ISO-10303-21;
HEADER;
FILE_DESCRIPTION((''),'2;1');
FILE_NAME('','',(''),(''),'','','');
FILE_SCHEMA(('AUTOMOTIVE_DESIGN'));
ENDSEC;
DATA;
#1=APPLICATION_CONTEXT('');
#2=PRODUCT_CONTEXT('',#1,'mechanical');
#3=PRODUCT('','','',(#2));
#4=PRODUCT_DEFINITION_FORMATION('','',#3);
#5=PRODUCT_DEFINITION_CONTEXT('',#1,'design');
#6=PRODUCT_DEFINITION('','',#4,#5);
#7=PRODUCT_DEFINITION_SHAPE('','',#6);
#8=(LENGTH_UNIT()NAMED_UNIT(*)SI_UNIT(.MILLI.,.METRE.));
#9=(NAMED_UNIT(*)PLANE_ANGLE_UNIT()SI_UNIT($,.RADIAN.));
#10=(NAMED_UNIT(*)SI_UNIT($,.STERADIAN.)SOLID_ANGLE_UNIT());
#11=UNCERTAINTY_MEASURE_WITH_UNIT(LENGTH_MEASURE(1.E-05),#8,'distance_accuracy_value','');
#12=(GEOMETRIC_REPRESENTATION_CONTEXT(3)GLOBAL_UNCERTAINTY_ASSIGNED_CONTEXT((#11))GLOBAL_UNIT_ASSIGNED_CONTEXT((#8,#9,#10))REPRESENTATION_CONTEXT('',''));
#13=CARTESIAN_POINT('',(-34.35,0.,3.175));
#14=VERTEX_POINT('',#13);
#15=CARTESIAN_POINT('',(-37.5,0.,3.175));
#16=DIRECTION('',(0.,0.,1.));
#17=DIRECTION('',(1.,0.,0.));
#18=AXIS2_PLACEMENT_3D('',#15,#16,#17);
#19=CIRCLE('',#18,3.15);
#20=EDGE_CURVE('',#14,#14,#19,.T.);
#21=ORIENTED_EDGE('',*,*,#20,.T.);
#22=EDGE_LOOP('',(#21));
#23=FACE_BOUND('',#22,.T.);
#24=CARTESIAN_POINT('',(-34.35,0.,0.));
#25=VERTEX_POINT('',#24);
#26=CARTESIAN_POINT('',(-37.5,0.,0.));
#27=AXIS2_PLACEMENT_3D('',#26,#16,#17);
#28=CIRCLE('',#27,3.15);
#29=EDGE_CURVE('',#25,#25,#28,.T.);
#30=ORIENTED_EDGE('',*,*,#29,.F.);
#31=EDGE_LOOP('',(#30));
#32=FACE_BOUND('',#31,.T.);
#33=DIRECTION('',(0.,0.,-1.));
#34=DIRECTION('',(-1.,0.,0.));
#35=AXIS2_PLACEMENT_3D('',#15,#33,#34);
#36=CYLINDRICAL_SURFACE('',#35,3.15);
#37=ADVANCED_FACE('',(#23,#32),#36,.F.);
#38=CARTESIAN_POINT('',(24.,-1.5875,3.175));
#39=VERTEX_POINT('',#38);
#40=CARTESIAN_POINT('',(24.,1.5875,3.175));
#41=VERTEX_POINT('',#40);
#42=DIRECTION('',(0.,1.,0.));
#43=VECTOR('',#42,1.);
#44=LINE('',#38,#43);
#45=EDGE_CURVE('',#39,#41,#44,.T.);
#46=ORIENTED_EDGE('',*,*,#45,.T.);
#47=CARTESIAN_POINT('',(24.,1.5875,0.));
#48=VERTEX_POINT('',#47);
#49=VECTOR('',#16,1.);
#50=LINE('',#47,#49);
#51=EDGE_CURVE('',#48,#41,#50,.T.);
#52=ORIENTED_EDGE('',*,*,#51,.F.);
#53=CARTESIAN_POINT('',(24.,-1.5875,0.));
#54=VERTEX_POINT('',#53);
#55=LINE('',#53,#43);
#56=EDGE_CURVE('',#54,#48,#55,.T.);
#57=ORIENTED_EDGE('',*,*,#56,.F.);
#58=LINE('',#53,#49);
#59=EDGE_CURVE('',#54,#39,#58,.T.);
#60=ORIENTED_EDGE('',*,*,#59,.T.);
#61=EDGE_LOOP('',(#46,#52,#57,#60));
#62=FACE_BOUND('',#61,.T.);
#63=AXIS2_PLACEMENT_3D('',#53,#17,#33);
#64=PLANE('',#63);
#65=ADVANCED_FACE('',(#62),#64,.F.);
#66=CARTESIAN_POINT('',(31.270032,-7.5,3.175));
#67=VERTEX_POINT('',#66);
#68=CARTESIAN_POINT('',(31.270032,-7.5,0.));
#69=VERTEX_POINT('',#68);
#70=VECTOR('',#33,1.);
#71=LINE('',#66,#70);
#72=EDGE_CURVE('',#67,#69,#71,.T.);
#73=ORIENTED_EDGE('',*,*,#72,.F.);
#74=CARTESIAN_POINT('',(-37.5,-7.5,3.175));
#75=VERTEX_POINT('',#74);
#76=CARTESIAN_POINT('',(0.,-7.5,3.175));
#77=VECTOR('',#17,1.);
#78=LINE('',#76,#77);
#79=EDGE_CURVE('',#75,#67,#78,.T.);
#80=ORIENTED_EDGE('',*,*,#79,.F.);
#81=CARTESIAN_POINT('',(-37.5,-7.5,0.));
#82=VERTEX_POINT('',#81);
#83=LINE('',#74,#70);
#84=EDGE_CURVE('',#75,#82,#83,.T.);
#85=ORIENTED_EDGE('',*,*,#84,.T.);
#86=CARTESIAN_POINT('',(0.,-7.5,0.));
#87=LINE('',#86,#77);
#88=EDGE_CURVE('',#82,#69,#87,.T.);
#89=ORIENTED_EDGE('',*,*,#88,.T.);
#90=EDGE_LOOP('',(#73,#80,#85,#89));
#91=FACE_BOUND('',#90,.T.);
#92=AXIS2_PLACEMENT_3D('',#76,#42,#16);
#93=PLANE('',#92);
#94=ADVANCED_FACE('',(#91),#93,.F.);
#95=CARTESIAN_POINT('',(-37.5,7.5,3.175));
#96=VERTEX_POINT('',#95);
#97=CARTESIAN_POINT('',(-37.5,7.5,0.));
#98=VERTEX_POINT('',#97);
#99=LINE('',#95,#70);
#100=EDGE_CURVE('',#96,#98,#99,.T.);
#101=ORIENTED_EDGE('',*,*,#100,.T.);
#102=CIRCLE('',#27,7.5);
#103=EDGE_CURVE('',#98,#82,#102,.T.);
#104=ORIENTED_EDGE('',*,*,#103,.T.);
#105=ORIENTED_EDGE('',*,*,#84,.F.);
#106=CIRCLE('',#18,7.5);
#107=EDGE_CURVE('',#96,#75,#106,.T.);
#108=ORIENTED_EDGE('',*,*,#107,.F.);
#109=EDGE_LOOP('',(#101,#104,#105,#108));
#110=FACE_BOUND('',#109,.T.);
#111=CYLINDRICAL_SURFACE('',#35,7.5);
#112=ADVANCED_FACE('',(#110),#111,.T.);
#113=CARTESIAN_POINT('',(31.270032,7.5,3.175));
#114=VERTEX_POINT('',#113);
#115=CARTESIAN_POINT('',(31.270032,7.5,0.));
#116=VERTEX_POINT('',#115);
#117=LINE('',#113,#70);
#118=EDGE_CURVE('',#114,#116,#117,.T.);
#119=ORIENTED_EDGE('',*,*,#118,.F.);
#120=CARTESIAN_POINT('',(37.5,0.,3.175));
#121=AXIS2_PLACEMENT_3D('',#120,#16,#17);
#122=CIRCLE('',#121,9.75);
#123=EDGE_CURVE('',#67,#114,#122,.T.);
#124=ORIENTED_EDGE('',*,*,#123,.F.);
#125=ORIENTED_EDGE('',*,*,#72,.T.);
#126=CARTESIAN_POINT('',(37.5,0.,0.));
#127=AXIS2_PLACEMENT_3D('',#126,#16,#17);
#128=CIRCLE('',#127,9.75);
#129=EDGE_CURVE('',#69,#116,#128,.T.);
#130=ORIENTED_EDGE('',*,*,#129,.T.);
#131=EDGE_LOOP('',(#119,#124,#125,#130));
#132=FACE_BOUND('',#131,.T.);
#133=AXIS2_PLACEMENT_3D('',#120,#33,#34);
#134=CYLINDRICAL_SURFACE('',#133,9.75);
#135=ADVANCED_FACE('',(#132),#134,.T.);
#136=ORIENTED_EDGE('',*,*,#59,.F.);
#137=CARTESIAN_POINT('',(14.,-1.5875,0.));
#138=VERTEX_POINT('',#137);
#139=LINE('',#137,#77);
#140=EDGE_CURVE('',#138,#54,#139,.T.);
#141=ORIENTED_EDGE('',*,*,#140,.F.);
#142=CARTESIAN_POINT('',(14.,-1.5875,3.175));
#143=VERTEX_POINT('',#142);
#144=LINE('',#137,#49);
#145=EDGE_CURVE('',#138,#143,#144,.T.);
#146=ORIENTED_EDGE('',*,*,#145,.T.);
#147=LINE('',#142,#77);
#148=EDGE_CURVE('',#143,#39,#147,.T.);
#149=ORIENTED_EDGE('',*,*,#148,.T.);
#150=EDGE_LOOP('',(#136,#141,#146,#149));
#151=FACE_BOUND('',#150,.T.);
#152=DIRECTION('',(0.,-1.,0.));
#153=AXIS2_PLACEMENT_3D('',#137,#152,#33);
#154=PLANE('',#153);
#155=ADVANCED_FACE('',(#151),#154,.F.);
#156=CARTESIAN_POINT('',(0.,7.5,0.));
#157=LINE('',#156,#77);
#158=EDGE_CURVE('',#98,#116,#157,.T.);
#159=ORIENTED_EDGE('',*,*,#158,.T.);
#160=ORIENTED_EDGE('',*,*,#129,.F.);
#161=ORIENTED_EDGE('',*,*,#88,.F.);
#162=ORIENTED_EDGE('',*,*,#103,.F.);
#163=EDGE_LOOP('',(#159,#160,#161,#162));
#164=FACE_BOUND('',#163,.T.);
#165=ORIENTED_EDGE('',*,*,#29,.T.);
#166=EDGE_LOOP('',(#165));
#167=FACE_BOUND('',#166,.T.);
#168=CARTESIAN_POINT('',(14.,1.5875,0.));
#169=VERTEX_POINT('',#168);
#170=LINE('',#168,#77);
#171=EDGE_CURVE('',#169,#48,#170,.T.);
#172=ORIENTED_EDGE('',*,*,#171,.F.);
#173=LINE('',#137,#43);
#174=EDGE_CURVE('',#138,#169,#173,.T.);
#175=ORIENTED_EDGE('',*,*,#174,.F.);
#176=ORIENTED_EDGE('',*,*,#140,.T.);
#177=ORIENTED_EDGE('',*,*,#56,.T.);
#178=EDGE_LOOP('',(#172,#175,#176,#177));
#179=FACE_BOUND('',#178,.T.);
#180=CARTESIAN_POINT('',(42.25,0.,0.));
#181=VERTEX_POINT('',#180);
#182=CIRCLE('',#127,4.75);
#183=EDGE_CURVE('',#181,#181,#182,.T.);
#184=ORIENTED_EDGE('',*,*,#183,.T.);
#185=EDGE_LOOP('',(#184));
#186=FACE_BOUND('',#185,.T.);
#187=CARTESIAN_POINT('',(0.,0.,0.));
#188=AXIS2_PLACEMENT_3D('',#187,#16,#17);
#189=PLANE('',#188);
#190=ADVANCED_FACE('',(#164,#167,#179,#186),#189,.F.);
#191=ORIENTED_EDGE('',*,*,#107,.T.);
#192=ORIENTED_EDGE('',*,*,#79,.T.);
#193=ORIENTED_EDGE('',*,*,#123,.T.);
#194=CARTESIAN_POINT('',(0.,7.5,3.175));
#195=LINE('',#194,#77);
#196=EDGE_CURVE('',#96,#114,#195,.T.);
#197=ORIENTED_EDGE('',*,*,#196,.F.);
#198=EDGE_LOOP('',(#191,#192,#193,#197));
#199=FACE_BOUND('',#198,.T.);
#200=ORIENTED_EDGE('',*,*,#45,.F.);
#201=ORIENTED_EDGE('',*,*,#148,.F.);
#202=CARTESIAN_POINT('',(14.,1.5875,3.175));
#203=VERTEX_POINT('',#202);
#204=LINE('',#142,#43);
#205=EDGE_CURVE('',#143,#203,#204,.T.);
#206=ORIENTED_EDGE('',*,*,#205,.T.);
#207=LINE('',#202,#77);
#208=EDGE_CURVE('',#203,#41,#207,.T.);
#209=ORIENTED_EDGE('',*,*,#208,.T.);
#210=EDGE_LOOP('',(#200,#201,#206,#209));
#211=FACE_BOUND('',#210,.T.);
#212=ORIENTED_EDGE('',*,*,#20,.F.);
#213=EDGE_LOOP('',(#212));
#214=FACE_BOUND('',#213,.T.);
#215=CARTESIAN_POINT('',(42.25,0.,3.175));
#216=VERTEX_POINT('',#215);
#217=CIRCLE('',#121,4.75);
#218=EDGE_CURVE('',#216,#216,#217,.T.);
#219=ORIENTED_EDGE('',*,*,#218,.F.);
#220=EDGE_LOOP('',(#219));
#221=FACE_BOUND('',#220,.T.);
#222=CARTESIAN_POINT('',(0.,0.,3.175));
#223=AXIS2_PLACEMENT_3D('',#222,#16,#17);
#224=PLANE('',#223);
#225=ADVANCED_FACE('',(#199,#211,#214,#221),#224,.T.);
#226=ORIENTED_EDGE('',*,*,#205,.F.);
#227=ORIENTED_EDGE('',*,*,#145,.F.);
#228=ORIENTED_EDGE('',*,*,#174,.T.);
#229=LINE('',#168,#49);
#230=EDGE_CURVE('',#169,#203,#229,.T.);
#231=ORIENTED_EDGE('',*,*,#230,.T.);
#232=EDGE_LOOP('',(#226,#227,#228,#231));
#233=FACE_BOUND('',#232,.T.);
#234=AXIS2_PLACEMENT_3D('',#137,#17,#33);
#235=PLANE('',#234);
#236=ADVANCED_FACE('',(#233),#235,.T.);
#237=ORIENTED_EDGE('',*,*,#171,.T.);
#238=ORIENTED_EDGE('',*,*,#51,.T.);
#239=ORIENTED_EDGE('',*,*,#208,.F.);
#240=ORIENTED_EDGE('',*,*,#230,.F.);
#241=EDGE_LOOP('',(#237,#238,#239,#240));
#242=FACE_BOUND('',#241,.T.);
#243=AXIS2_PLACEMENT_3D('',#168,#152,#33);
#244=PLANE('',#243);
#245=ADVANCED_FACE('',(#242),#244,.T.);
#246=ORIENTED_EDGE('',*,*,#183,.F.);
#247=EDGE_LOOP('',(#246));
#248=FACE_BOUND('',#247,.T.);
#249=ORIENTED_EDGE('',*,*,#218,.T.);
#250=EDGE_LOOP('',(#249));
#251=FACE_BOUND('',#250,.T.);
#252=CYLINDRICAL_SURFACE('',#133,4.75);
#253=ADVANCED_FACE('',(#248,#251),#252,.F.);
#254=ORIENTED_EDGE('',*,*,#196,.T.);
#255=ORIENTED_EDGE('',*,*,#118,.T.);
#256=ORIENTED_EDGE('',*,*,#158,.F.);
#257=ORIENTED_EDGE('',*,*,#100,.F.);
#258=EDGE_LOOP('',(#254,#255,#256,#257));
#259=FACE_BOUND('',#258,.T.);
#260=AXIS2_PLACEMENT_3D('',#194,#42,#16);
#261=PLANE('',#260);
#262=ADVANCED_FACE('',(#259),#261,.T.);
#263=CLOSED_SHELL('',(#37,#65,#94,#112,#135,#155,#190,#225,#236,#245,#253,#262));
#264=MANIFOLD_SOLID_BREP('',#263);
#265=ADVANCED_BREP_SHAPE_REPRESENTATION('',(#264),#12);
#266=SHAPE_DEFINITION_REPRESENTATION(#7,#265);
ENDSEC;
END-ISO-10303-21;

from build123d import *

# Parameters (mm, degrees)
SKETCH1_R           = 3.15
SKETCH1_R_2         = 4.75
BOSS_EXTRUDE1_DEPTH = 3.175
SKETCH2_W           = 15
SKETCH2_H           = 3.175
SKETCH2_W_2         = 10
CUT_EXTRUDE1_DEPTH  = 49.349825491
SKETCH4_W           = 20.014244063
SKETCH4_H           = 7.260981568
BOSS_EXTRUDE2_DEPTH = 3.175


with BuildPart() as part:
    # Sketch1 → Boss-Extrude1 (new body)
    with BuildSketch(Plane.XY):
        with BuildLine():
            Line((-37.5, -7.5), (31.270032103, -7.5))
            ThreePointArc((31.270032103, -7.5), (47.25, 0), (31.270032103, 7.5))
            Line((31.270032103, 7.5), (-37.5, 7.5))
            ThreePointArc((-37.5, 7.5), (-45, 0), (-37.5, -7.5))
        make_face()
        with Locations((-37.5, 0)):
            Circle(SKETCH1_R, mode=Mode.SUBTRACT)
        with Locations((37.5, 0)):
            Circle(SKETCH1_R_2, mode=Mode.SUBTRACT)
    extrude(amount=BOSS_EXTRUDE1_DEPTH)

    # Sketch2 → Cut-Extrude1 (cut, through all)
    with BuildSketch(Plane.XY.offset(3.175)):
        with Locations((-17.5, 0)):
            Rectangle(SKETCH2_W, SKETCH2_H)
        with Locations((19, 0)):
            Rectangle(SKETCH2_W_2, SKETCH2_H)
    extrude(amount=-CUT_EXTRUDE1_DEPTH, mode=Mode.SUBTRACT)

    # Sketch4 → Boss-Extrude2 (add)
    with BuildSketch(Plane.XY.offset(3.175)):
        with Locations((-17.454282614, 0)):
            Rectangle(SKETCH4_W, SKETCH4_H)
    extrude(amount=-BOSS_EXTRUDE2_DEPTH)


solid = part.part
